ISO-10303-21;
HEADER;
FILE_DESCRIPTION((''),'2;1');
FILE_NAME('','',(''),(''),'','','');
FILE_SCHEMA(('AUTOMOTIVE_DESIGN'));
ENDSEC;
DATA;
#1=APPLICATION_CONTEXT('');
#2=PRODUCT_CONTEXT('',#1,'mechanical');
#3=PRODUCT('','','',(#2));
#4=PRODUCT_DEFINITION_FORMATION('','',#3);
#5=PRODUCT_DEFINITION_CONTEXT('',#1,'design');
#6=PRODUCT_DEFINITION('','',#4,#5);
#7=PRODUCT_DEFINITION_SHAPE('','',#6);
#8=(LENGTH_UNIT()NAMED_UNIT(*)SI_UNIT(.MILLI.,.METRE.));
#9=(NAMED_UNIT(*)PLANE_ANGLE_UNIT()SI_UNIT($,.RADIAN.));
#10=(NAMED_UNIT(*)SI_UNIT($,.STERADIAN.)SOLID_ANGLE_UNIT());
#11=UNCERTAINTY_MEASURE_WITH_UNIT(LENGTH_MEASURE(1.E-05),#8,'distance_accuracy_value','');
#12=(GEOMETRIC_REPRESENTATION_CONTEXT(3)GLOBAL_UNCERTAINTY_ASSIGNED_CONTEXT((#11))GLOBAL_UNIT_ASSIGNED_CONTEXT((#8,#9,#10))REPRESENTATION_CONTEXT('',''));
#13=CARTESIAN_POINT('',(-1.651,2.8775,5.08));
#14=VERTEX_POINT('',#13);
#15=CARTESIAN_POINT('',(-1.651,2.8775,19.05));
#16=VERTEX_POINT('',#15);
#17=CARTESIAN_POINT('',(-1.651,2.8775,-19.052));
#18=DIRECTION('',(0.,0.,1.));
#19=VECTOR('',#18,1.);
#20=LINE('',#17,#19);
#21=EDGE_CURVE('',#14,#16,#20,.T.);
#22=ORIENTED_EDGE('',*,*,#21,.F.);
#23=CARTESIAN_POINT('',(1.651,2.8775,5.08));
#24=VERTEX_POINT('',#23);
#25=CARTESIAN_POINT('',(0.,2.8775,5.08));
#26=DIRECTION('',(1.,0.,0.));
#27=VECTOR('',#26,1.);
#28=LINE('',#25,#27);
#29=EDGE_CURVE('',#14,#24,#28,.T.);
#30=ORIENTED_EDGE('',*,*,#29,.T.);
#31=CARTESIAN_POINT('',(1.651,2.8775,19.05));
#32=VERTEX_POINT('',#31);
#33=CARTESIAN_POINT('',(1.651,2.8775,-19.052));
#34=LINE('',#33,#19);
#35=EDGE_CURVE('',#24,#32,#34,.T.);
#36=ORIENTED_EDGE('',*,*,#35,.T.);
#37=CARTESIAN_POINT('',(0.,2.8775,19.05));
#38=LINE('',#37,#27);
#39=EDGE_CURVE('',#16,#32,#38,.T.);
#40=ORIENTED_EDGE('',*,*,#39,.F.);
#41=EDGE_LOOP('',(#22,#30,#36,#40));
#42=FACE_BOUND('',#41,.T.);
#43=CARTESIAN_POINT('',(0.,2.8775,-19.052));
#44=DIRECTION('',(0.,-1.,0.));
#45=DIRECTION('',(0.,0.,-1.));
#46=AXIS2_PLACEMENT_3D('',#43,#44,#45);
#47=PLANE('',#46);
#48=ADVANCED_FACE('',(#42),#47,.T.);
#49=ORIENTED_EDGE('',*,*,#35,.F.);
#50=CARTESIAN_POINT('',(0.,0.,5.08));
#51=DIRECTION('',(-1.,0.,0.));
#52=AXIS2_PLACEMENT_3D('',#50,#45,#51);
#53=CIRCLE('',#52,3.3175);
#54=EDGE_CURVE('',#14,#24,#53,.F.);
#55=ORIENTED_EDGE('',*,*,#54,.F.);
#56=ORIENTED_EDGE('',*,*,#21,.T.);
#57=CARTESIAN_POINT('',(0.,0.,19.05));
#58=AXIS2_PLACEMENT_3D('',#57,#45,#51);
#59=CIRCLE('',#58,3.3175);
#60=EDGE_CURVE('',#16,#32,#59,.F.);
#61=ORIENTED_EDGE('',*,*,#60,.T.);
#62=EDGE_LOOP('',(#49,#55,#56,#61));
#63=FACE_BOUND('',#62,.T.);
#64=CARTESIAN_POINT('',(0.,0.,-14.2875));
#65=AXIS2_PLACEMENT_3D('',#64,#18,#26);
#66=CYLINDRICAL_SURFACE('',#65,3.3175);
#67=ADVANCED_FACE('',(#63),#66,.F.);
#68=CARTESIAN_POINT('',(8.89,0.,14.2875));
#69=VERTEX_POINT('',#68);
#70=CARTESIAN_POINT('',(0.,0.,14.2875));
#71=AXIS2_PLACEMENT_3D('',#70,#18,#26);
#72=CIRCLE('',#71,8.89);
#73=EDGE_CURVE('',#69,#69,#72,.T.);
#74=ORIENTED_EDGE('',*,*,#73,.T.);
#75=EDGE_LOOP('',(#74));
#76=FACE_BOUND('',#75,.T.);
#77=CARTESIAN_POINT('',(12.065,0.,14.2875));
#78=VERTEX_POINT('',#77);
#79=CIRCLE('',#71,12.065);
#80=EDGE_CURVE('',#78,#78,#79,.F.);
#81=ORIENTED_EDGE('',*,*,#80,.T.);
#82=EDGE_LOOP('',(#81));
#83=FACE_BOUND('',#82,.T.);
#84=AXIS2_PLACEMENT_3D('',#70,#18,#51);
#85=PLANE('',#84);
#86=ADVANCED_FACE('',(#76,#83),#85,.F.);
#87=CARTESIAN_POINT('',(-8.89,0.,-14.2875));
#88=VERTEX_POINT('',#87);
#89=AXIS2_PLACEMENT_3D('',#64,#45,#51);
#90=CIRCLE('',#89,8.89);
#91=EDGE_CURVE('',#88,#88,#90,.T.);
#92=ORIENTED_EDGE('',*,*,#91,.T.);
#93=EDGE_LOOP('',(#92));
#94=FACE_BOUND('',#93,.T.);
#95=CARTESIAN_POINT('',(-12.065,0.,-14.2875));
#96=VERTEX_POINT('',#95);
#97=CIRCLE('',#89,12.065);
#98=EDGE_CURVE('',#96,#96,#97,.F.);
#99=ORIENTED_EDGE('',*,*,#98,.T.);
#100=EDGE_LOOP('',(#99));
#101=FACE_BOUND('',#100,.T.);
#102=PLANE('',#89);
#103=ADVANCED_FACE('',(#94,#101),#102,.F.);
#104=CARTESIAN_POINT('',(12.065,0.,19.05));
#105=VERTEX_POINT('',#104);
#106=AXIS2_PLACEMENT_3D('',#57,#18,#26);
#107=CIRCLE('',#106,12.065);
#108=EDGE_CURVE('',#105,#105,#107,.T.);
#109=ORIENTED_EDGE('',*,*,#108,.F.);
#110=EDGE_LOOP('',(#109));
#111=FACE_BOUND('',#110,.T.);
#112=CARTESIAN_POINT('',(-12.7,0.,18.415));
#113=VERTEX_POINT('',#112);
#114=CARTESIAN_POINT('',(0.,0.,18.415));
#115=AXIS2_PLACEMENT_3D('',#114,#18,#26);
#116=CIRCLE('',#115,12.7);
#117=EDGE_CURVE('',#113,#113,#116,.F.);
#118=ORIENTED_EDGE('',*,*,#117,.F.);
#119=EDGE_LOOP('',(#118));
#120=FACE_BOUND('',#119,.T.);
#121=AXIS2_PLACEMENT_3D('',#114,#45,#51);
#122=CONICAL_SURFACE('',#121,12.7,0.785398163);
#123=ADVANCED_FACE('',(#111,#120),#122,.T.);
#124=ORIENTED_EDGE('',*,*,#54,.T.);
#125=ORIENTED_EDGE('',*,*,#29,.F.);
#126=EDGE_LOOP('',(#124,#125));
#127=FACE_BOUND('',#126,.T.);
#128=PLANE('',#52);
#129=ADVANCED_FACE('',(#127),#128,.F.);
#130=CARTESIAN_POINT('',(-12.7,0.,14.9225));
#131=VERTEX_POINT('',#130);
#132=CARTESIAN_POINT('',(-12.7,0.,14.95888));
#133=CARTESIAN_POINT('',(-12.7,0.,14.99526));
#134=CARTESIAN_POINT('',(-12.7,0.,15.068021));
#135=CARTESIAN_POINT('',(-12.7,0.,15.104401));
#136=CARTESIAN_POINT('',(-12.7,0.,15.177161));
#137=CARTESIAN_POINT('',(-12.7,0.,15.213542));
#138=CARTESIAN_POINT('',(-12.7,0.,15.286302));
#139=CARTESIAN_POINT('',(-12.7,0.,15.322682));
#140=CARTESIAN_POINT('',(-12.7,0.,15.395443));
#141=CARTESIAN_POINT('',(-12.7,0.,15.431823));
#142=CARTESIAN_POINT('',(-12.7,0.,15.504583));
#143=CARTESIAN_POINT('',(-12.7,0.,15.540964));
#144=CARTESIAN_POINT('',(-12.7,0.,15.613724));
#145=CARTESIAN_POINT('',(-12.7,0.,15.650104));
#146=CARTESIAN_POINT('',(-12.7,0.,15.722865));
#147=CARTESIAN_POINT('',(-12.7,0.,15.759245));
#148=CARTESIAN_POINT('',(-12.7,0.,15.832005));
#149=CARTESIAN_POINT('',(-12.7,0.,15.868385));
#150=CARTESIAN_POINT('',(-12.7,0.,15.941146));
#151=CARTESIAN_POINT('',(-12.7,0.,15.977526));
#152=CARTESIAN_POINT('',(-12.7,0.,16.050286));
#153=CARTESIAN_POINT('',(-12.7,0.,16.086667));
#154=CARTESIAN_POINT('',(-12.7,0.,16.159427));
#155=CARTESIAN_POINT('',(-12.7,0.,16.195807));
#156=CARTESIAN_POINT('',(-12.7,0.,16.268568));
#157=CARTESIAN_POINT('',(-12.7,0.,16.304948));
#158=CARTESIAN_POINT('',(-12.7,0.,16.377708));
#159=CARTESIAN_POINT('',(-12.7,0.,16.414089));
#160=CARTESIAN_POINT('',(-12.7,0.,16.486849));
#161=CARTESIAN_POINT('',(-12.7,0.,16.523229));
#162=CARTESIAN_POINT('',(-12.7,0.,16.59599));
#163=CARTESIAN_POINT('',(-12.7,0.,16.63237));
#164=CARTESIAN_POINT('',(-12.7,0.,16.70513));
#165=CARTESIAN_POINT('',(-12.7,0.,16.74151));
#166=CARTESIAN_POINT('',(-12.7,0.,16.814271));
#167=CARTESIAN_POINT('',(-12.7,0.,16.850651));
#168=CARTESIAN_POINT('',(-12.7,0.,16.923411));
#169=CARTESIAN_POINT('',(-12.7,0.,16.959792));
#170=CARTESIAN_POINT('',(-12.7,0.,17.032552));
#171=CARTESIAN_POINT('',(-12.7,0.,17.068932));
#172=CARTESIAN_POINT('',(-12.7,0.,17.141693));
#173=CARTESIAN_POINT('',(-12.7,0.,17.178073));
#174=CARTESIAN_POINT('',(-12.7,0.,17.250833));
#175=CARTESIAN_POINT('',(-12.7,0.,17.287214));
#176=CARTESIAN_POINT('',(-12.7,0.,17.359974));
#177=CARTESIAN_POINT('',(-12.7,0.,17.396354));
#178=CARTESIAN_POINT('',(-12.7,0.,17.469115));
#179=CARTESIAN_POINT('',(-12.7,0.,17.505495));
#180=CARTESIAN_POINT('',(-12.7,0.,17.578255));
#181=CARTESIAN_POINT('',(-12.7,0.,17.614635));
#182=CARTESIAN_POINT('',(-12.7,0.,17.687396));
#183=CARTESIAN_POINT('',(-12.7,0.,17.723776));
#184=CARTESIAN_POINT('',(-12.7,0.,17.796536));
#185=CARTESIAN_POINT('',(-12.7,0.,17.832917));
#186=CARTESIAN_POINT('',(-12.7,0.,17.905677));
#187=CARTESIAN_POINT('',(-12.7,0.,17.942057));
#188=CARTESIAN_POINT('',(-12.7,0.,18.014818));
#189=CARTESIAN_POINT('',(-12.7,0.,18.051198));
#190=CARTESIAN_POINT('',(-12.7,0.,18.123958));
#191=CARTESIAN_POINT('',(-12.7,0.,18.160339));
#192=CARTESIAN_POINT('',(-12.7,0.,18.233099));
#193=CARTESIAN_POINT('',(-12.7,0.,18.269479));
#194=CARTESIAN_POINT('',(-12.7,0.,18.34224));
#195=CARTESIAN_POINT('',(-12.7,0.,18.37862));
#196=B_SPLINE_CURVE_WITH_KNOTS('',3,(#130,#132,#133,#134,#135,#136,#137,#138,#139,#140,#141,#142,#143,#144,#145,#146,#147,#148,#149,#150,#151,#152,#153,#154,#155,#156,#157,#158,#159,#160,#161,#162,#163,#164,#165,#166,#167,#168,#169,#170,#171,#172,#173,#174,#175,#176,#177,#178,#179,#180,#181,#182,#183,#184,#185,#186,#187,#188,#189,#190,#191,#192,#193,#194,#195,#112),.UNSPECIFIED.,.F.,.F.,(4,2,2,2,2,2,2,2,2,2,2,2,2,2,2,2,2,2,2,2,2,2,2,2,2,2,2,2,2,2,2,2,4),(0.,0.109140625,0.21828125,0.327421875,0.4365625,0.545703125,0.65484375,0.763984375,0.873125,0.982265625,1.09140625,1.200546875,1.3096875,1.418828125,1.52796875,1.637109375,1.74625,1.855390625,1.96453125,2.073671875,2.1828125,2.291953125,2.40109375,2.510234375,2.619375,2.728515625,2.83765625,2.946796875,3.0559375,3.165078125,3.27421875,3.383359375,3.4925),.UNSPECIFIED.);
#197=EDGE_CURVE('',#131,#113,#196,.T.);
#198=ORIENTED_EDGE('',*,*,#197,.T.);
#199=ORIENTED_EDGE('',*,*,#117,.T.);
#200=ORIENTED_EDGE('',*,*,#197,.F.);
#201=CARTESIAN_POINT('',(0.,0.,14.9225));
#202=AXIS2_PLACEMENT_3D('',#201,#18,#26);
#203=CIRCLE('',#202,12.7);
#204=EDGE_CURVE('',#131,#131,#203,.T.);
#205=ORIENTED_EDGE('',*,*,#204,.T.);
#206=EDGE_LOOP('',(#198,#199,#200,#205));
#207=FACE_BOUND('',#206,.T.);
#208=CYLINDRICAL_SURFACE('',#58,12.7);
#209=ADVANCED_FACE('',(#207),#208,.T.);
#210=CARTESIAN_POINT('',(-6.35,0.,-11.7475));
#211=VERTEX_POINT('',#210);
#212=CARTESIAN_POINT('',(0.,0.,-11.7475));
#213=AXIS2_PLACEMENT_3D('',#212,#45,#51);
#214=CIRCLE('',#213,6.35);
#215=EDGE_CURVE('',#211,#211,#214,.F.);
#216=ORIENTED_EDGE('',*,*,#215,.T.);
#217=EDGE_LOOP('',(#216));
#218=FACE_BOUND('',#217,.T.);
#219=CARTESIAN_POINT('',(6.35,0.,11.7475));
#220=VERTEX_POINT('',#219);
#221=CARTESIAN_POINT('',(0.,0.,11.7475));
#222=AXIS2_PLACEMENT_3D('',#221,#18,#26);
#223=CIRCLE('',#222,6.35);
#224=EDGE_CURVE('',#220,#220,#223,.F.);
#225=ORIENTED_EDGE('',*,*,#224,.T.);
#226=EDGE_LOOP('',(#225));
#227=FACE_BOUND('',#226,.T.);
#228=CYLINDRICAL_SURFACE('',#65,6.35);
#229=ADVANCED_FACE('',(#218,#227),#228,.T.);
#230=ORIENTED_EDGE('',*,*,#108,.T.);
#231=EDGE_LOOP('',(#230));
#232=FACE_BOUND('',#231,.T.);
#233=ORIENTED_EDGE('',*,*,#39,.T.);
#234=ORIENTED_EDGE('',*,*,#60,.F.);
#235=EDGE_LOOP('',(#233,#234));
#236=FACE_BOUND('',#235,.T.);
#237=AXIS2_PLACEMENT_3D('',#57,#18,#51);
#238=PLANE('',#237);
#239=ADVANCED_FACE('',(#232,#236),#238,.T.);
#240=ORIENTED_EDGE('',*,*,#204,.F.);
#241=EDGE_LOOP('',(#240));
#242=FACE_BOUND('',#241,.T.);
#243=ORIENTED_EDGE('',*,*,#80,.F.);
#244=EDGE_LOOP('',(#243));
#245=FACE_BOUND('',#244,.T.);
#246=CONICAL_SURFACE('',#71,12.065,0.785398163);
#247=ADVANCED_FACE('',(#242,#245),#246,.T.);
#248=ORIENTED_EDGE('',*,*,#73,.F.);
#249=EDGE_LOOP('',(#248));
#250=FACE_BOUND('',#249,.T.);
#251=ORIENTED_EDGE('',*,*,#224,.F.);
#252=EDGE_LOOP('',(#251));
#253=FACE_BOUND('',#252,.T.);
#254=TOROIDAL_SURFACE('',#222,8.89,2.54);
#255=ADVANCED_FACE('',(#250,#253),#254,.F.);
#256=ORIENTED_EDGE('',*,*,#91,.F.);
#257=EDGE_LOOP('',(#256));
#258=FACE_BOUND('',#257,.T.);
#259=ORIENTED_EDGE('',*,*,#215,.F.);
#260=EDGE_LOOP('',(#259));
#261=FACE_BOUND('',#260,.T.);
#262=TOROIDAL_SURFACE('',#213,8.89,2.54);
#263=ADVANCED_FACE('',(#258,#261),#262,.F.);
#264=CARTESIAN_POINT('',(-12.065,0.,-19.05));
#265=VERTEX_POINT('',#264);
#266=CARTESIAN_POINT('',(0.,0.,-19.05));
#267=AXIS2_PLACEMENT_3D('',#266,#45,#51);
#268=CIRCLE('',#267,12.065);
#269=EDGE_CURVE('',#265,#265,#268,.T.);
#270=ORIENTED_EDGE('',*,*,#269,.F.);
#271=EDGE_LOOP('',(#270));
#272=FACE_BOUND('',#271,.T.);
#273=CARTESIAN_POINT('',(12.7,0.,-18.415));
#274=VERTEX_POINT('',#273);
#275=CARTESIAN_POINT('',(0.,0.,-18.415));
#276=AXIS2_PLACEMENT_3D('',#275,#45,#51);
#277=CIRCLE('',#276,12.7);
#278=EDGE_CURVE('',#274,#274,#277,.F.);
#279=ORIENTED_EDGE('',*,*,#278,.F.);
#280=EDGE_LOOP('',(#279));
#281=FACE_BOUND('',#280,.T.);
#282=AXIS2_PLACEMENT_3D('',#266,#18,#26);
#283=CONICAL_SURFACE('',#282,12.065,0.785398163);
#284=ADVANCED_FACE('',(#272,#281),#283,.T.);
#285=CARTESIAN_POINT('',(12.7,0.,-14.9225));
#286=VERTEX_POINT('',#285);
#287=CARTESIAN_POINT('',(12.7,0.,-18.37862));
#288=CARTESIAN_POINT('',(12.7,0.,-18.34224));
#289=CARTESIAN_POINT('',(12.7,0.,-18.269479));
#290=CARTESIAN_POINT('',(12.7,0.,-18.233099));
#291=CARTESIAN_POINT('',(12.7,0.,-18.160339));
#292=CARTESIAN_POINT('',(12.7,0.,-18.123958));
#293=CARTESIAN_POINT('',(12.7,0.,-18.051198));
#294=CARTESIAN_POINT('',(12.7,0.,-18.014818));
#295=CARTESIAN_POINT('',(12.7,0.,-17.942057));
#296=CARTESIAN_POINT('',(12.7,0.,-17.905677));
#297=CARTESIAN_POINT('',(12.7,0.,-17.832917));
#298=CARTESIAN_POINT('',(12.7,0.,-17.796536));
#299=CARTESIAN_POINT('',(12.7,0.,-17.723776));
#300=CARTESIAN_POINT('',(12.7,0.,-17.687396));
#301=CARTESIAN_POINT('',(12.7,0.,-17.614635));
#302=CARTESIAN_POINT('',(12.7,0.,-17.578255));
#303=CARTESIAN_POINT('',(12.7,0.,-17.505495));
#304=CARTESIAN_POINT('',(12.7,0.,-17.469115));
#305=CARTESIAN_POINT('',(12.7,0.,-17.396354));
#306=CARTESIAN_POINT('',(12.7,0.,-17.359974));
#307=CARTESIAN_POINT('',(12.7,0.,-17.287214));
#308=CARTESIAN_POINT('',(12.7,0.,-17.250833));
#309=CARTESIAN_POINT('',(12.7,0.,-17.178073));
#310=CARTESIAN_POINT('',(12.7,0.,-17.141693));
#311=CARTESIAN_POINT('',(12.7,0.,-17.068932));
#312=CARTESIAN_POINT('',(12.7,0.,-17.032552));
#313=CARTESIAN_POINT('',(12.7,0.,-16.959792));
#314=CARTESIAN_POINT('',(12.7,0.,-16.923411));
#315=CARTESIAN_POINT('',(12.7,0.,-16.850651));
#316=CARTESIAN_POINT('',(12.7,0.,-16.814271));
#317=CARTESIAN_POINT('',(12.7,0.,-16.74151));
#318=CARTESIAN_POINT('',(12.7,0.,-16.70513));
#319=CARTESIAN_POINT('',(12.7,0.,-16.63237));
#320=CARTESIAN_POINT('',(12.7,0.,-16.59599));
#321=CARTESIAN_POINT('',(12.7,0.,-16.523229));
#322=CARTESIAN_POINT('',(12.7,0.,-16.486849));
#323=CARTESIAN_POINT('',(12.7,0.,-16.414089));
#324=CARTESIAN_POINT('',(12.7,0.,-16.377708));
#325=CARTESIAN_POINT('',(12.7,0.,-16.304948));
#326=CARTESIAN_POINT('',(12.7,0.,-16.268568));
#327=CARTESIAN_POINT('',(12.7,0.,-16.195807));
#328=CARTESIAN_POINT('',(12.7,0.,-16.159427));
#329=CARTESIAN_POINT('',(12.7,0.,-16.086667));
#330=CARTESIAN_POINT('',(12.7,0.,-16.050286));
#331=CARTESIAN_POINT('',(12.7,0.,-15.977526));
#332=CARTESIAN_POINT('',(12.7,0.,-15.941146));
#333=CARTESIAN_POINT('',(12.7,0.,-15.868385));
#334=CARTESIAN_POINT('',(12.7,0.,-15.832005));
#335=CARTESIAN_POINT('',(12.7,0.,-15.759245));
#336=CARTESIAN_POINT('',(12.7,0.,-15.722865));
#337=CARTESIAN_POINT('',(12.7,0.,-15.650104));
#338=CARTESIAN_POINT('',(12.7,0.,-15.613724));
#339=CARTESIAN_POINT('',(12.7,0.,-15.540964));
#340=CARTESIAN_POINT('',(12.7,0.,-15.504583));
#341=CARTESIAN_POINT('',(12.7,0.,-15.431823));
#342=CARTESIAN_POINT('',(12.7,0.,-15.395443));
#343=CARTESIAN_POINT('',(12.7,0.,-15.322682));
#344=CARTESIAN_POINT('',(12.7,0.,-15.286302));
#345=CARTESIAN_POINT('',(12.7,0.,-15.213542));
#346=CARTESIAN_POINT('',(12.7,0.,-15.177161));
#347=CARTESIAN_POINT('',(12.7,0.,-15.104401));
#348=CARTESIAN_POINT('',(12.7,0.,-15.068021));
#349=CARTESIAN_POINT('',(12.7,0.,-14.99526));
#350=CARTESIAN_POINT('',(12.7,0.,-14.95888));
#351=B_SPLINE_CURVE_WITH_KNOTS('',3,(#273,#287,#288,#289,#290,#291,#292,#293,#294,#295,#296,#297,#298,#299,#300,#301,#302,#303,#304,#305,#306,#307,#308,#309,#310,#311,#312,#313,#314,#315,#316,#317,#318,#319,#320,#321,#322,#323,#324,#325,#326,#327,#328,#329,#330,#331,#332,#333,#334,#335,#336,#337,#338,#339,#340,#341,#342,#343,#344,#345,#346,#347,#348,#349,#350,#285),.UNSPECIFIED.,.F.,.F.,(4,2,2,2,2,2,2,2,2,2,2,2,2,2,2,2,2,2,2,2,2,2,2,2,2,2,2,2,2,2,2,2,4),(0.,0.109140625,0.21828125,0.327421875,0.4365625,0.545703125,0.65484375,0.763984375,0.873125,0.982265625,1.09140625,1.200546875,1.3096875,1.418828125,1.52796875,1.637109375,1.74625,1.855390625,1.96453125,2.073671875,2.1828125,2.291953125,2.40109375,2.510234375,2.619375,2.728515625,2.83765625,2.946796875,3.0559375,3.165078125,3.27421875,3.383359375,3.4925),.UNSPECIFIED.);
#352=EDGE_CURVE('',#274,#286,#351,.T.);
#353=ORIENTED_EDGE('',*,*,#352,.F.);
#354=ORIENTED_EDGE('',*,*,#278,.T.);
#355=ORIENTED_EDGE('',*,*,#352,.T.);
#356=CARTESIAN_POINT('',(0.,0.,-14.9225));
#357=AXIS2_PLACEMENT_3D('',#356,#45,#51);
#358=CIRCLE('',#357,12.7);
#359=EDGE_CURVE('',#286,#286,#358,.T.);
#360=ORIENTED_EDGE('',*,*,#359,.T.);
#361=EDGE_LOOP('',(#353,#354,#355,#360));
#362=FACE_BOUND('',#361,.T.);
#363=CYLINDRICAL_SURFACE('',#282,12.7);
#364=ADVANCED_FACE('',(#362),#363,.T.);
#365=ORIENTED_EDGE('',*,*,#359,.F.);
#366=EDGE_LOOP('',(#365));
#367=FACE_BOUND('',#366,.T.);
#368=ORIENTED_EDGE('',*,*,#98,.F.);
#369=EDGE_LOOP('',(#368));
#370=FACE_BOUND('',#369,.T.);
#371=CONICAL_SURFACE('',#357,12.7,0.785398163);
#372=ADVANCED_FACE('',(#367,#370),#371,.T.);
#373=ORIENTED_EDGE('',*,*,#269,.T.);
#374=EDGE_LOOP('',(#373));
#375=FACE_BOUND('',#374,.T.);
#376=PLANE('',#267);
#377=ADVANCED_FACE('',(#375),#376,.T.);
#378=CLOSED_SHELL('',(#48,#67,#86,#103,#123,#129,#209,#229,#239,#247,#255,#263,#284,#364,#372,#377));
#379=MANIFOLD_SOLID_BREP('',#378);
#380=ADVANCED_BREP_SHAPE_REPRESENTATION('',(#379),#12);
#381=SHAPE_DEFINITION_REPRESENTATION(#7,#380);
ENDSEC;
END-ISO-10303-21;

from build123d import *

# Parameters (mm, degrees)
SKETCH1_R                = 6.35
SKETCH1_R_2              = 3.317499969
BOSS_EXTRUDE1_DEPTH      = 14.2875
BOSS_EXTRUDE1_DEPTH_BACK = 14.2875
SKETCH2_R                = 12.7
SKETCH2_R_2              = 6.35
SKETCH2_R_3              = 3.317499969
BOSS_EXTRUDE3_DEPTH      = 4.7625
SKETCH3_R                = 3.317499969
BOSS_EXTRUDE4_DEPTH      = 24.13
FILLET1_R                = 2.54
CHAMFER1_SIZE            = 0.635
BOSS_EXTRUDE5_REACH      = 44.121


with BuildPart() as part:
    # Sketch1 → Boss-Extrude1 (new, two sides)
    with BuildSketch(Plane.XY) as boss_extrude1_sk:
        Circle(SKETCH1_R)
        Circle(SKETCH1_R_2, mode=Mode.SUBTRACT)
    extrude(amount=BOSS_EXTRUDE1_DEPTH)
    extrude(boss_extrude1_sk.sketch, amount=-BOSS_EXTRUDE1_DEPTH_BACK)

    # Sketch2 → Boss-Extrude3 (add)
    with BuildSketch(Plane(origin=(0, 0, -14.2875), x_dir=(-1, 0, 0), z_dir=(0, 0, -1))):
        with Locations(Location((0, 0, 0), (0, 0, 180))):
            Circle(SKETCH2_R)
        with Locations(Location((0, 0, 0), (0, 0, 180))):
            Circle(SKETCH2_R_2, mode=Mode.SUBTRACT)
        with Locations(Location((0, 0, 0), (0, 0, 180))):
            Circle(SKETCH2_R_2)
        with Locations(Location((0, 0, 0), (0, 0, 180))):
            Circle(SKETCH2_R_3, mode=Mode.SUBTRACT)
    boss_extrude3 = extrude(amount=BOSS_EXTRUDE3_DEPTH)

    # Mirror1: Boss-Extrude3 across plane
    add(boss_extrude3.mirror(Plane.XY))

    # Sketch3 → Boss-Extrude4 (add)
    with BuildSketch(Plane(origin=(0, 0, -19.05), x_dir=(-1, 0, 0), z_dir=(0, 0, -1))):
        Circle(SKETCH3_R)
    extrude(amount=-BOSS_EXTRUDE4_DEPTH)

    # Fillet1
    fillet1_edges = [part.edges().sort_by_distance(p)[0] for p in [
        (-6.35, 0, -14.2875),
        (-6.35, 0, 14.2875),
    ]]
    fillet(fillet1_edges, radius=FILLET1_R)

    # Chamfer1
    chamfer1_edges = [part.edges().sort_by_distance(p)[0] for p in [
        (-12.7, 0, -14.2875),
        (-12.7, 0, -19.05),
        (-12.7, 0, 19.05),
        (-12.7, 0, 14.2875),
    ]]
    chamfer(chamfer1_edges, length=CHAMFER1_SIZE)

    # Sketch4 → Boss-Extrude5 (add, up to next)
    with BuildSketch(Plane.XY.offset(19.05), mode=Mode.PRIVATE) as boss_extrude5_sk1:
        with BuildLine():
            ThreePointArc((1.651, 2.87749979), (0, 3.317499969), (-1.651, 2.87749979))
            Line((-1.651, 2.87749979), (1.651, 2.87749979))
        make_face()
    boss_extrude5_tool1 = extrude(boss_extrude5_sk1.sketch, amount=-BOSS_EXTRUDE5_REACH, mode=Mode.PRIVATE) - part.part
    add(boss_extrude5_tool1.solids().sort_by_distance((0, 3.05454, 19.05))[0])


solid = part.part
